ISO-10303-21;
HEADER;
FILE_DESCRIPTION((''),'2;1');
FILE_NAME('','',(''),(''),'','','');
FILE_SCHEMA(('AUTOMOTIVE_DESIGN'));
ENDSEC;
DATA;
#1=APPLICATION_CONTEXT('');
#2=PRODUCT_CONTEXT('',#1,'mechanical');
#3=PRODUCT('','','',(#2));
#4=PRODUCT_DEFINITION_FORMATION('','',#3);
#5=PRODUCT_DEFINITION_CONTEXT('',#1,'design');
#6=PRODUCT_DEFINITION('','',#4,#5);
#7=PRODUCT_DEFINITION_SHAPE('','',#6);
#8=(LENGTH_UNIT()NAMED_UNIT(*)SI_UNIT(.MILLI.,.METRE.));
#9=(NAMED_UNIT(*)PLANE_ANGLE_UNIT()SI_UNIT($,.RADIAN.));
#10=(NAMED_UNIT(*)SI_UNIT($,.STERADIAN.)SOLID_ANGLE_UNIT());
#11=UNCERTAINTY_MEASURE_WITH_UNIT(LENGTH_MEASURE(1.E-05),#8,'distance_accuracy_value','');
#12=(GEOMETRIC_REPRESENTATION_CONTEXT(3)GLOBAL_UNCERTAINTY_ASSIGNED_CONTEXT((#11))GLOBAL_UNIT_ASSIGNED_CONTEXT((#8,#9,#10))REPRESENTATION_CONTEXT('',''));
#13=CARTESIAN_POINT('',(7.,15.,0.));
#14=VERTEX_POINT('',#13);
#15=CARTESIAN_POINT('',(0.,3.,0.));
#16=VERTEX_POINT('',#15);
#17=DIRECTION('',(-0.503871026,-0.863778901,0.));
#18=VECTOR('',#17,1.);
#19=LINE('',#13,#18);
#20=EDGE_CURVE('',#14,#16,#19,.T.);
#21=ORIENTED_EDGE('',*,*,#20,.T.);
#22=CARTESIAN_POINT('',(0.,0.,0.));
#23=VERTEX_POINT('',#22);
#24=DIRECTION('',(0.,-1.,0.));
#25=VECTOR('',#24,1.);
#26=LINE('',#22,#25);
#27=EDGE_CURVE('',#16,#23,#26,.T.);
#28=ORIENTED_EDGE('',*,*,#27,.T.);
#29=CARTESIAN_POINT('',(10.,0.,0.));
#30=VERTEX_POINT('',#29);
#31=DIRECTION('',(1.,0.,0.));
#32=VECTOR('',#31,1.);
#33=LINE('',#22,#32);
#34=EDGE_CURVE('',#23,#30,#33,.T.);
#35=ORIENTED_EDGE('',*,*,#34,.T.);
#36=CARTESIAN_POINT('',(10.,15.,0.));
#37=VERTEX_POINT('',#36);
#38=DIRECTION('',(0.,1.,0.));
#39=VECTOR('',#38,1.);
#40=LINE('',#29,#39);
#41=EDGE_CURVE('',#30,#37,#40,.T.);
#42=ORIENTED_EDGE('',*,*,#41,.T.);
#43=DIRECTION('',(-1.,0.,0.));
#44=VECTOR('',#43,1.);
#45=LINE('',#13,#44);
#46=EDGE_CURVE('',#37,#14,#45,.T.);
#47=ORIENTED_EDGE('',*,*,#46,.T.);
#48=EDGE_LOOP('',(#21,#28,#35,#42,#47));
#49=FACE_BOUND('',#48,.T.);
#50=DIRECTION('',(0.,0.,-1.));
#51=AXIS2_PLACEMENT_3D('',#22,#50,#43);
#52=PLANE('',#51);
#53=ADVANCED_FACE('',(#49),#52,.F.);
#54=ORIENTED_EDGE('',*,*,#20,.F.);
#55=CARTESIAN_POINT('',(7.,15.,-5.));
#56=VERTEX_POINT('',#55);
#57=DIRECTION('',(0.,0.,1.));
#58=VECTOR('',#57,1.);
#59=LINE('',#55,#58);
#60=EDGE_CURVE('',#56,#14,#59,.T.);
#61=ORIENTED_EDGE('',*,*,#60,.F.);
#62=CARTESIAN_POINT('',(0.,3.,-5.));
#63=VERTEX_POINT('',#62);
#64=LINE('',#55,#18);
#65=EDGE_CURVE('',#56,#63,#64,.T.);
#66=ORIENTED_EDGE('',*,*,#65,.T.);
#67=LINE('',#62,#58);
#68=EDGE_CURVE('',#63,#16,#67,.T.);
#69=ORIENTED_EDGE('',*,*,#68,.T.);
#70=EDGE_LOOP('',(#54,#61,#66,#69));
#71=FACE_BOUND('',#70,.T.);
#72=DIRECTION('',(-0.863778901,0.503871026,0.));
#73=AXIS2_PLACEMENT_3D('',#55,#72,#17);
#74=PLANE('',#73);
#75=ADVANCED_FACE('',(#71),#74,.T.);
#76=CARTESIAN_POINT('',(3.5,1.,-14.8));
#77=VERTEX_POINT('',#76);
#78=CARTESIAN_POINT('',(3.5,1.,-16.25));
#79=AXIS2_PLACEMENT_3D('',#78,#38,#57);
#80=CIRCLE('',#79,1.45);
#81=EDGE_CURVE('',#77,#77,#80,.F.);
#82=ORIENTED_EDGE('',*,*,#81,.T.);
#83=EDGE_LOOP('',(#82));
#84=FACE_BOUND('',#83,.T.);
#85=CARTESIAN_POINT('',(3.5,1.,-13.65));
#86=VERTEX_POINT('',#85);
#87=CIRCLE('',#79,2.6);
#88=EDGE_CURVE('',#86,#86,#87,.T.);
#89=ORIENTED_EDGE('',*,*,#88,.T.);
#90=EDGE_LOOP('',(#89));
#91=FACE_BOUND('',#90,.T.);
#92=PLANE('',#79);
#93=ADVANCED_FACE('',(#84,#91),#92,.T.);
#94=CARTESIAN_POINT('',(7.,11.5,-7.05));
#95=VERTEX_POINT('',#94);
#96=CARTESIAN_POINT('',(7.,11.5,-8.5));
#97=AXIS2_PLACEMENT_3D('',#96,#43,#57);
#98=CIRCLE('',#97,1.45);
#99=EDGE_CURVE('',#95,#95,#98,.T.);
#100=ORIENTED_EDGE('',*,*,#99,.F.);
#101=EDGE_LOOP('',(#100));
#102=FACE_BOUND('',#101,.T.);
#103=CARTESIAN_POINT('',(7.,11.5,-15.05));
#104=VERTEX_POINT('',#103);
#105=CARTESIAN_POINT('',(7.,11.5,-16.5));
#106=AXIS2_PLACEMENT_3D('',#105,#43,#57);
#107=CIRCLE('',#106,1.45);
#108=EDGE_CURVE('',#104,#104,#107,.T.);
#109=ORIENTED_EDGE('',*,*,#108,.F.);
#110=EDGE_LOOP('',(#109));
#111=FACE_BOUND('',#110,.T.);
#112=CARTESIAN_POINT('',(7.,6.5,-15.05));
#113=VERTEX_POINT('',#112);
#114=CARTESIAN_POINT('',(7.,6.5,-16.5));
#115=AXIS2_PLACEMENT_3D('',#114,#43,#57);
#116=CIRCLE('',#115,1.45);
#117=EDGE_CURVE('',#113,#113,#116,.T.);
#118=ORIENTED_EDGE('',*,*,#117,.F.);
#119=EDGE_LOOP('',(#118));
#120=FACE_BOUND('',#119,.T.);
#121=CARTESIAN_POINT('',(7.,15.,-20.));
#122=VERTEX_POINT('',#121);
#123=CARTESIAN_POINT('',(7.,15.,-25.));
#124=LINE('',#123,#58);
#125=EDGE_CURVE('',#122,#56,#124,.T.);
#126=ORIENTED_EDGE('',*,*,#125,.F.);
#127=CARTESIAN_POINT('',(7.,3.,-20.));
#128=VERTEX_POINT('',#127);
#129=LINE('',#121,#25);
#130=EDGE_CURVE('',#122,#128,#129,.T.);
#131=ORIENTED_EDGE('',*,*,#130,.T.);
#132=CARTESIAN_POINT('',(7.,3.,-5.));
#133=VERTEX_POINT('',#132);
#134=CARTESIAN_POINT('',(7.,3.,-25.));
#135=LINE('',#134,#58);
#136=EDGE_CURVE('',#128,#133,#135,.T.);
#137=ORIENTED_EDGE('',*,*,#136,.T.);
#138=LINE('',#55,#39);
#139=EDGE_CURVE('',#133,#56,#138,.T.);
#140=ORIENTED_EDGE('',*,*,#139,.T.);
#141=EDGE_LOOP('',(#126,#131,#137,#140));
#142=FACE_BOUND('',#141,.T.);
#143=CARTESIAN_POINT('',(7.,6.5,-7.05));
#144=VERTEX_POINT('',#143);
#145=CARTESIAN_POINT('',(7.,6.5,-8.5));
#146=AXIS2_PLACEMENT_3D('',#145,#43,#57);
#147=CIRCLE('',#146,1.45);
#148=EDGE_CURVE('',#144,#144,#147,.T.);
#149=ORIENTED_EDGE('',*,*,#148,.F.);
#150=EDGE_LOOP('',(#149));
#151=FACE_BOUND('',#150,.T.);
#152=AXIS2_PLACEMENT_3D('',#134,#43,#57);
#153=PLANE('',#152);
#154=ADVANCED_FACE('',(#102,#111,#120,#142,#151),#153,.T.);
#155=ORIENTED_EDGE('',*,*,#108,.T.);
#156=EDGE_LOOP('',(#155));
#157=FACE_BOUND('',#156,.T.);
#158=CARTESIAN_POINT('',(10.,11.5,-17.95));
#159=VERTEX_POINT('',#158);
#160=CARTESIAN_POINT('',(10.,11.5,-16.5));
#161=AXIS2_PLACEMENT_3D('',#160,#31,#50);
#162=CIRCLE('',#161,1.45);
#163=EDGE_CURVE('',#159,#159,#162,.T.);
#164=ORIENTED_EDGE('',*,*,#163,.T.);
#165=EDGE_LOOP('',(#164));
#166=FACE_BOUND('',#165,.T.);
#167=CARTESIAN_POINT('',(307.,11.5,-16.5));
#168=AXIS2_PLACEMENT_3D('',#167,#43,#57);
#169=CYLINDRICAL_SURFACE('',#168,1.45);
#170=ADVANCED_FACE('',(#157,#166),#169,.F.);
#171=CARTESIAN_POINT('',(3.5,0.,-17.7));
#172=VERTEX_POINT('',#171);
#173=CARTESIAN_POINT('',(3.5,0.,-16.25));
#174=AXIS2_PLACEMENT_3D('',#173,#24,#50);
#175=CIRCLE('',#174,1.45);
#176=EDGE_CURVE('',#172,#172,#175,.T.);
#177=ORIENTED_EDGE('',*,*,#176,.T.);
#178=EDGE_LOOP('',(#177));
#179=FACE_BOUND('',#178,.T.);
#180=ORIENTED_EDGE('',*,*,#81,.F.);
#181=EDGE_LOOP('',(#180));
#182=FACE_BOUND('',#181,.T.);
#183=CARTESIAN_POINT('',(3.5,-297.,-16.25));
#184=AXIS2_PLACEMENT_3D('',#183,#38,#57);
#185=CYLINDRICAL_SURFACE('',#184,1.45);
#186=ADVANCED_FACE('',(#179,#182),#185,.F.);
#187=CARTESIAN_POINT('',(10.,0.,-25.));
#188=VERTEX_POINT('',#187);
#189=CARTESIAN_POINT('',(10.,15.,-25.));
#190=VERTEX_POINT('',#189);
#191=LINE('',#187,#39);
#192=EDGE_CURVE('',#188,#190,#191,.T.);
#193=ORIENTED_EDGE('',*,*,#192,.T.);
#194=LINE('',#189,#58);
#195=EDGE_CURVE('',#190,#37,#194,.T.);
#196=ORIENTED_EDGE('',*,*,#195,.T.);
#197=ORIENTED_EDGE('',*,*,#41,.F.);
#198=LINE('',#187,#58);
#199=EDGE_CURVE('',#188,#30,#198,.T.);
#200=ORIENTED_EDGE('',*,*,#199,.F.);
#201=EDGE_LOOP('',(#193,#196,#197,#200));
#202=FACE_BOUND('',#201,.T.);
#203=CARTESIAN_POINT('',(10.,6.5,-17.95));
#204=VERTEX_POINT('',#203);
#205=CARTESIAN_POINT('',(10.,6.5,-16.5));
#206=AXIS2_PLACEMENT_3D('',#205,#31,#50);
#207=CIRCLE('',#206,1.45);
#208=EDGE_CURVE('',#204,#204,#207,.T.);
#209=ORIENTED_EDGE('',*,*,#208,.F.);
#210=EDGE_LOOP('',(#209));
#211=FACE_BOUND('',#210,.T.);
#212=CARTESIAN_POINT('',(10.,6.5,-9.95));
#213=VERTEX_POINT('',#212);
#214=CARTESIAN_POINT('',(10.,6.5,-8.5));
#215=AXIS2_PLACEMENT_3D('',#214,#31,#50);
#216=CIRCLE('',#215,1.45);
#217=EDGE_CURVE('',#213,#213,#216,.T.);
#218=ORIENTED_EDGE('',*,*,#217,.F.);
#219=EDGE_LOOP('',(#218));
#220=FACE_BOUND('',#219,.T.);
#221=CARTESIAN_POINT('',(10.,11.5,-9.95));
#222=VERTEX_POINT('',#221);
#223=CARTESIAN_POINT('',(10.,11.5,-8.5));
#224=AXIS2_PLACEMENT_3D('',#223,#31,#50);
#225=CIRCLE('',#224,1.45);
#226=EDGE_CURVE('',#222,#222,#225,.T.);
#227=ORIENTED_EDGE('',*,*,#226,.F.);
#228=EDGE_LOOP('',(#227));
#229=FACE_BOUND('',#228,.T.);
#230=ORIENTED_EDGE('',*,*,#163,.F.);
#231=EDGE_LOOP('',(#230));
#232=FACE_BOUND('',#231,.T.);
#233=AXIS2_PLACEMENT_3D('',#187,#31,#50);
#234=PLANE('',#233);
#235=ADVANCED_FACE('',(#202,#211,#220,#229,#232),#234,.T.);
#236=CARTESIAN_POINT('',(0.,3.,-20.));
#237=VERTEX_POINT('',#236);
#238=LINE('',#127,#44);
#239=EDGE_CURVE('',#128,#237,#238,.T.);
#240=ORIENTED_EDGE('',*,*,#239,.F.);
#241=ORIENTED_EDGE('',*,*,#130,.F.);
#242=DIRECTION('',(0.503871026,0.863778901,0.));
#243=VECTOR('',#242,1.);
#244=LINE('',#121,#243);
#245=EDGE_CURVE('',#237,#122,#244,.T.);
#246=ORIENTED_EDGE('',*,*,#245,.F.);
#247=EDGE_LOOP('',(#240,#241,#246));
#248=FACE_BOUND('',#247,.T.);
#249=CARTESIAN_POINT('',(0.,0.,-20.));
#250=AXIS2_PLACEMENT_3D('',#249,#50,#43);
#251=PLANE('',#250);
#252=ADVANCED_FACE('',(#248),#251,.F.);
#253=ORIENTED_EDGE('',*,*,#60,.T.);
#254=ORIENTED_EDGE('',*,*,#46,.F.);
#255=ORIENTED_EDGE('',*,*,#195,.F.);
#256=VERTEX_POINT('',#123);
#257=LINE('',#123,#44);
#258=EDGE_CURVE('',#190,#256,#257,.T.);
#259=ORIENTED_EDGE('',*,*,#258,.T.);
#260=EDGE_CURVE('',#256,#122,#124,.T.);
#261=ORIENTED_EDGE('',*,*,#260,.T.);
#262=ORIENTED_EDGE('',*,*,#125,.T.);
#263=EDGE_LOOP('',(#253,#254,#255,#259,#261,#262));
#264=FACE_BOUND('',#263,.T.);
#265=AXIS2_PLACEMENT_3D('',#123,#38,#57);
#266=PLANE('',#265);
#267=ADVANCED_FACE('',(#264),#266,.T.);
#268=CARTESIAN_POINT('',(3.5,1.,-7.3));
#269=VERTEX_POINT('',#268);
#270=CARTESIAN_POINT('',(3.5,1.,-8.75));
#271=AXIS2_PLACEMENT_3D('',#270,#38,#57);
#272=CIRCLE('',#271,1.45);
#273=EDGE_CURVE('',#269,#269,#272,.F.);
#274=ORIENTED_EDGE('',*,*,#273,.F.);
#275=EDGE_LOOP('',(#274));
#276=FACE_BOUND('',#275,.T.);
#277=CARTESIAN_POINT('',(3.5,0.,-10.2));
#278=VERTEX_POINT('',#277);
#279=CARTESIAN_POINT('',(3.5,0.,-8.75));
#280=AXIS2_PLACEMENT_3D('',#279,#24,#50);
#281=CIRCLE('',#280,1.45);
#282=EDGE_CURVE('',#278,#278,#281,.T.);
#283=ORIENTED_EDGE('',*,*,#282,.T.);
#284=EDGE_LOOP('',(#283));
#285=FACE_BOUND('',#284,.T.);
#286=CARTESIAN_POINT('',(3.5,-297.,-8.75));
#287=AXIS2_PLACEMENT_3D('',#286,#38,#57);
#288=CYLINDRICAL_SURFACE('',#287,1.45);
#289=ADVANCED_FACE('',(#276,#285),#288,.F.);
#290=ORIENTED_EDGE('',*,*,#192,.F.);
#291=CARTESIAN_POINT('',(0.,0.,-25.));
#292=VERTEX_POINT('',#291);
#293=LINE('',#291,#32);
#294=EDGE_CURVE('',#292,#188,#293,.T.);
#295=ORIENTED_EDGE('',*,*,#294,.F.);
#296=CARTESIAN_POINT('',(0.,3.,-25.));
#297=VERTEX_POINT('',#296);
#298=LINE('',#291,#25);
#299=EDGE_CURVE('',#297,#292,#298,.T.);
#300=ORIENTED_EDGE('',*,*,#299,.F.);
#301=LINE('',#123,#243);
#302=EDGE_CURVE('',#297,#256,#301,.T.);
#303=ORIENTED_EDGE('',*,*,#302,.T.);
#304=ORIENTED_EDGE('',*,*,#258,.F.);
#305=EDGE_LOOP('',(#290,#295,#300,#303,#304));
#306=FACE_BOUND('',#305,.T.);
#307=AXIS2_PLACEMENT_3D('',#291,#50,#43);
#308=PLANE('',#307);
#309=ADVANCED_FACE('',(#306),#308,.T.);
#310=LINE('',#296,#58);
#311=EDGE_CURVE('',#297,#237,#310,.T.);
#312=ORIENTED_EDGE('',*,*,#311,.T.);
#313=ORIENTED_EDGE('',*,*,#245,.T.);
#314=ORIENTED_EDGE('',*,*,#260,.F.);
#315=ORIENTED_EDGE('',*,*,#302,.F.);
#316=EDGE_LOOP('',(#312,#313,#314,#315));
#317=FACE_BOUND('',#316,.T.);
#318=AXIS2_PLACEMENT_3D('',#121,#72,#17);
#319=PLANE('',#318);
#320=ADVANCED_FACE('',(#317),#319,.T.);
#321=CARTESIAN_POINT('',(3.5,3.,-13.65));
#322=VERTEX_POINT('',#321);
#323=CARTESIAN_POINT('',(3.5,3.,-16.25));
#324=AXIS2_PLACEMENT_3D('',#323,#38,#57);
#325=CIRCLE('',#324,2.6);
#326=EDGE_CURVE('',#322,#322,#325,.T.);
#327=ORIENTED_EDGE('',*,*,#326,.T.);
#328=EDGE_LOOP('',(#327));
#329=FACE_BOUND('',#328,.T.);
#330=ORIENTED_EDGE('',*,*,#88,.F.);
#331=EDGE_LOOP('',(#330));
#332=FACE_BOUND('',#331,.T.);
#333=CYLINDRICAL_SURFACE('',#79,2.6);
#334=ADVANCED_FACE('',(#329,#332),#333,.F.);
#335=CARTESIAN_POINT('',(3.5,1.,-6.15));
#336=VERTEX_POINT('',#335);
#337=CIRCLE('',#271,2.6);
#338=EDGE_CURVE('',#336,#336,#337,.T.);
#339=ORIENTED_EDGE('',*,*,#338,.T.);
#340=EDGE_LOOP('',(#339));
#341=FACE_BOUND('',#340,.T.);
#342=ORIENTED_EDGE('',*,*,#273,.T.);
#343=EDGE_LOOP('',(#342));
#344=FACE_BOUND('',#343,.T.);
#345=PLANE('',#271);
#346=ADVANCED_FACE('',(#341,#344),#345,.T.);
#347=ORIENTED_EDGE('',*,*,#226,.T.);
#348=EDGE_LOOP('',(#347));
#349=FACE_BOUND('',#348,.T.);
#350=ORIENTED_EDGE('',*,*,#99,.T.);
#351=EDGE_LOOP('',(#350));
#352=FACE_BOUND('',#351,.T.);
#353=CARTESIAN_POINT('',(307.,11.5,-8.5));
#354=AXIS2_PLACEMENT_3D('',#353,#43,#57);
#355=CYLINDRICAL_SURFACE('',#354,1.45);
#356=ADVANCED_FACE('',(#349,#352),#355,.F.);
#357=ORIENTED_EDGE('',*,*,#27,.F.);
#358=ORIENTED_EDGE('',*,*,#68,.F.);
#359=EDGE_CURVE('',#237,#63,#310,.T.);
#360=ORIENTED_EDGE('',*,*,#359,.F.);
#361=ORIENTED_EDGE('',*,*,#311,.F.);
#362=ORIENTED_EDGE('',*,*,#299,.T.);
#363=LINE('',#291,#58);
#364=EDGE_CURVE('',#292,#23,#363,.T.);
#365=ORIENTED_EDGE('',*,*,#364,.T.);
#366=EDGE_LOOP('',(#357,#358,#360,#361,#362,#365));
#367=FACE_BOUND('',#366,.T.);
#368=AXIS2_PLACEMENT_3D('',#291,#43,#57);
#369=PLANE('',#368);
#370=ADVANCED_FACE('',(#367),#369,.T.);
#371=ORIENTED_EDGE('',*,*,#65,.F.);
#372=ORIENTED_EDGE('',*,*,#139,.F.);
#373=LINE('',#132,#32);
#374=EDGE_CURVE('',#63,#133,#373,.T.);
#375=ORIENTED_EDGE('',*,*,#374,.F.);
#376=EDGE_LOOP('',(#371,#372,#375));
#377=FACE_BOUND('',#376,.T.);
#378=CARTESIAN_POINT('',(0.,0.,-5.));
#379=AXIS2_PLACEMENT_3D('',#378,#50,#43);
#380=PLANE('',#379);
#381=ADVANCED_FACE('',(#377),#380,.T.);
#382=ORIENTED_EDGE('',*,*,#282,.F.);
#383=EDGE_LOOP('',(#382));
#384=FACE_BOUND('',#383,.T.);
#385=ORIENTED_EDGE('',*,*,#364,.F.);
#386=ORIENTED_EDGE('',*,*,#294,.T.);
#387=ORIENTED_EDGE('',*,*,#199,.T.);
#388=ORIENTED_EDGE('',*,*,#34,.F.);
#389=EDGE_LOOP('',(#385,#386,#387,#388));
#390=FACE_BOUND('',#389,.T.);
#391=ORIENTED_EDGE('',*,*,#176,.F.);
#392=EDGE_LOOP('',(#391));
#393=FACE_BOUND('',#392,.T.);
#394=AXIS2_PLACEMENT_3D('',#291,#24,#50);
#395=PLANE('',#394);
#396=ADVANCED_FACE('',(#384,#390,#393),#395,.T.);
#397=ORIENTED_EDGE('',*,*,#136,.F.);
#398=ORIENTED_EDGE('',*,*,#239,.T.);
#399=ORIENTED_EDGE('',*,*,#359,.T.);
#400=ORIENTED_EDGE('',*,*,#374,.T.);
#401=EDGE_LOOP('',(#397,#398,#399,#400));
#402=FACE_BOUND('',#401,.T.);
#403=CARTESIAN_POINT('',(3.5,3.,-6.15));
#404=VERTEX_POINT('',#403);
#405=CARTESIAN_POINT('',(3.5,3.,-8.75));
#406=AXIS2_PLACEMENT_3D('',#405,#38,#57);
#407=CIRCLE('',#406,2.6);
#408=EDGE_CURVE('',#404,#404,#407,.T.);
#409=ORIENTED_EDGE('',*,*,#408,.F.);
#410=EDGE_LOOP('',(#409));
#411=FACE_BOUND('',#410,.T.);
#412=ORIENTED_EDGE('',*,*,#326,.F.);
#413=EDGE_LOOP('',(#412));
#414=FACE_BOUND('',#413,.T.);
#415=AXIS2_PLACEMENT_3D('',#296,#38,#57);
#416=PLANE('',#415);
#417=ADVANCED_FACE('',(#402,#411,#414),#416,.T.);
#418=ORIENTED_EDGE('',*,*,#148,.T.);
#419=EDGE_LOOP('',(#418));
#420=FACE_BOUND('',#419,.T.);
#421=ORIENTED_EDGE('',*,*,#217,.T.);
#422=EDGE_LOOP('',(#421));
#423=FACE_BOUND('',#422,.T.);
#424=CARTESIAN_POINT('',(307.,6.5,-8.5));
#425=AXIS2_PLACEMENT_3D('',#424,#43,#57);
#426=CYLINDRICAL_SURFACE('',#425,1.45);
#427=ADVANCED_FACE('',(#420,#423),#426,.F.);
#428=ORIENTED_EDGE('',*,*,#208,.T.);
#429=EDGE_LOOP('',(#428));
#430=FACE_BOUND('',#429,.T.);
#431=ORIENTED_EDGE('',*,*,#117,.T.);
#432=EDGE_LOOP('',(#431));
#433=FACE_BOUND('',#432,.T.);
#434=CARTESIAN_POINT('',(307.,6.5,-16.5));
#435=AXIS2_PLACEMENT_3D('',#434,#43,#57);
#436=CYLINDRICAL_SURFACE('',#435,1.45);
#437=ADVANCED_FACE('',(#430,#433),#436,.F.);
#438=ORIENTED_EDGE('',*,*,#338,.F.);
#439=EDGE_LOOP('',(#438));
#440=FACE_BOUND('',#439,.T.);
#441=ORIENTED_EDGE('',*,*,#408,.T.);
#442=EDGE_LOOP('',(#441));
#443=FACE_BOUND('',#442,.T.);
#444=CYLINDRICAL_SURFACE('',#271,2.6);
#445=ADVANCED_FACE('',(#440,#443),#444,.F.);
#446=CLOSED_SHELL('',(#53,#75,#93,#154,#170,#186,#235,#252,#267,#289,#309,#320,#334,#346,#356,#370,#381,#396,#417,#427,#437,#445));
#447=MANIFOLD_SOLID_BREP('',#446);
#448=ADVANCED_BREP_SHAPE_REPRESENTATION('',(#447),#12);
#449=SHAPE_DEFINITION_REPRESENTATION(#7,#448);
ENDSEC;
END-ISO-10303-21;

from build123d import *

# Parameters (mm, degrees)
EXTRUDE_2_DEPTH     = 25
EXTRUDE_3_DEPTH     = 5
EXTRUDE_5_DEPTH     = 5
SKETCH_8_R          = 1.45
CUT_EXTRUDE_3_DEPTH = 300
SKETCH_9_R          = 1.45
CUT_EXTRUDE_4_DEPTH = 300
SKETCH_10_R         = 2.6
CUT_EXTRUDE_5_DEPTH = 2


with BuildPart() as part:
    # 草图3 → 凸台-拉伸2 (new body)
    with BuildSketch(Plane.XY):
        Polygon((0, 0), (10, 0), (10, 15), (7, 15), (7, 3), (0, 3), align=None)
    extrude(amount=-EXTRUDE_2_DEPTH)

    # 草图4 → 凸台-拉伸3 (add)
    with BuildSketch(Plane.XY):
        Polygon((7, 15), (0, 3), (7, 3), align=None)
    extrude(amount=-EXTRUDE_3_DEPTH)

    # 草图5 → 凸台-拉伸5 (add)
    with BuildSketch(Plane(origin=(0, 0, -25), x_dir=(-1, 0, 0), z_dir=(0, 0, -1))):
        Polygon((-7, 15), (0, 3), (-7, 3), align=None)
    extrude(amount=-EXTRUDE_5_DEPTH)

    # 草图8 → 切除-拉伸3 (cut)
    with BuildSketch(Plane.ZY.offset(-7)):
        with Locations((-16.5, 11.5)):
            Circle(SKETCH_8_R)
        with Locations((-16.5, 6.5)):
            Circle(SKETCH_8_R)
        with Locations((-8.5, 6.5)):
            Circle(SKETCH_8_R)
        with Locations((-8.5, 11.5)):
            Circle(SKETCH_8_R)
    extrude(amount=-CUT_EXTRUDE_3_DEPTH, mode=Mode.SUBTRACT)

    # 草图9 → 切除-拉伸4 (cut)
    with BuildSketch(Plane(origin=(0, 3, 0), x_dir=(1, 0, 0), z_dir=(0, 1, 0))):
        with Locations(Location((3.5, 16.25, 0), (0, 0, 270))):
            Circle(SKETCH_9_R)
        with Locations(Location((3.5, 8.75, 0), (0, 0, 270))):
            Circle(SKETCH_9_R)
    extrude(amount=-CUT_EXTRUDE_4_DEPTH, mode=Mode.SUBTRACT)

    # 草图10 → 切除-拉伸5 (cut)
    with BuildSketch(Plane(origin=(0, 3, 0), x_dir=(1, 0, 0), z_dir=(0, 1, 0))):
        with Locations(Location((3.5, 16.25, 0), (0, 0, 270))):
            Circle(SKETCH_10_R)
        with Locations(Location((3.5, 8.75, 0), (0, 0, 270))):
            Circle(SKETCH_10_R)
    extrude(amount=-CUT_EXTRUDE_5_DEPTH, mode=Mode.SUBTRACT)


solid = part.part
